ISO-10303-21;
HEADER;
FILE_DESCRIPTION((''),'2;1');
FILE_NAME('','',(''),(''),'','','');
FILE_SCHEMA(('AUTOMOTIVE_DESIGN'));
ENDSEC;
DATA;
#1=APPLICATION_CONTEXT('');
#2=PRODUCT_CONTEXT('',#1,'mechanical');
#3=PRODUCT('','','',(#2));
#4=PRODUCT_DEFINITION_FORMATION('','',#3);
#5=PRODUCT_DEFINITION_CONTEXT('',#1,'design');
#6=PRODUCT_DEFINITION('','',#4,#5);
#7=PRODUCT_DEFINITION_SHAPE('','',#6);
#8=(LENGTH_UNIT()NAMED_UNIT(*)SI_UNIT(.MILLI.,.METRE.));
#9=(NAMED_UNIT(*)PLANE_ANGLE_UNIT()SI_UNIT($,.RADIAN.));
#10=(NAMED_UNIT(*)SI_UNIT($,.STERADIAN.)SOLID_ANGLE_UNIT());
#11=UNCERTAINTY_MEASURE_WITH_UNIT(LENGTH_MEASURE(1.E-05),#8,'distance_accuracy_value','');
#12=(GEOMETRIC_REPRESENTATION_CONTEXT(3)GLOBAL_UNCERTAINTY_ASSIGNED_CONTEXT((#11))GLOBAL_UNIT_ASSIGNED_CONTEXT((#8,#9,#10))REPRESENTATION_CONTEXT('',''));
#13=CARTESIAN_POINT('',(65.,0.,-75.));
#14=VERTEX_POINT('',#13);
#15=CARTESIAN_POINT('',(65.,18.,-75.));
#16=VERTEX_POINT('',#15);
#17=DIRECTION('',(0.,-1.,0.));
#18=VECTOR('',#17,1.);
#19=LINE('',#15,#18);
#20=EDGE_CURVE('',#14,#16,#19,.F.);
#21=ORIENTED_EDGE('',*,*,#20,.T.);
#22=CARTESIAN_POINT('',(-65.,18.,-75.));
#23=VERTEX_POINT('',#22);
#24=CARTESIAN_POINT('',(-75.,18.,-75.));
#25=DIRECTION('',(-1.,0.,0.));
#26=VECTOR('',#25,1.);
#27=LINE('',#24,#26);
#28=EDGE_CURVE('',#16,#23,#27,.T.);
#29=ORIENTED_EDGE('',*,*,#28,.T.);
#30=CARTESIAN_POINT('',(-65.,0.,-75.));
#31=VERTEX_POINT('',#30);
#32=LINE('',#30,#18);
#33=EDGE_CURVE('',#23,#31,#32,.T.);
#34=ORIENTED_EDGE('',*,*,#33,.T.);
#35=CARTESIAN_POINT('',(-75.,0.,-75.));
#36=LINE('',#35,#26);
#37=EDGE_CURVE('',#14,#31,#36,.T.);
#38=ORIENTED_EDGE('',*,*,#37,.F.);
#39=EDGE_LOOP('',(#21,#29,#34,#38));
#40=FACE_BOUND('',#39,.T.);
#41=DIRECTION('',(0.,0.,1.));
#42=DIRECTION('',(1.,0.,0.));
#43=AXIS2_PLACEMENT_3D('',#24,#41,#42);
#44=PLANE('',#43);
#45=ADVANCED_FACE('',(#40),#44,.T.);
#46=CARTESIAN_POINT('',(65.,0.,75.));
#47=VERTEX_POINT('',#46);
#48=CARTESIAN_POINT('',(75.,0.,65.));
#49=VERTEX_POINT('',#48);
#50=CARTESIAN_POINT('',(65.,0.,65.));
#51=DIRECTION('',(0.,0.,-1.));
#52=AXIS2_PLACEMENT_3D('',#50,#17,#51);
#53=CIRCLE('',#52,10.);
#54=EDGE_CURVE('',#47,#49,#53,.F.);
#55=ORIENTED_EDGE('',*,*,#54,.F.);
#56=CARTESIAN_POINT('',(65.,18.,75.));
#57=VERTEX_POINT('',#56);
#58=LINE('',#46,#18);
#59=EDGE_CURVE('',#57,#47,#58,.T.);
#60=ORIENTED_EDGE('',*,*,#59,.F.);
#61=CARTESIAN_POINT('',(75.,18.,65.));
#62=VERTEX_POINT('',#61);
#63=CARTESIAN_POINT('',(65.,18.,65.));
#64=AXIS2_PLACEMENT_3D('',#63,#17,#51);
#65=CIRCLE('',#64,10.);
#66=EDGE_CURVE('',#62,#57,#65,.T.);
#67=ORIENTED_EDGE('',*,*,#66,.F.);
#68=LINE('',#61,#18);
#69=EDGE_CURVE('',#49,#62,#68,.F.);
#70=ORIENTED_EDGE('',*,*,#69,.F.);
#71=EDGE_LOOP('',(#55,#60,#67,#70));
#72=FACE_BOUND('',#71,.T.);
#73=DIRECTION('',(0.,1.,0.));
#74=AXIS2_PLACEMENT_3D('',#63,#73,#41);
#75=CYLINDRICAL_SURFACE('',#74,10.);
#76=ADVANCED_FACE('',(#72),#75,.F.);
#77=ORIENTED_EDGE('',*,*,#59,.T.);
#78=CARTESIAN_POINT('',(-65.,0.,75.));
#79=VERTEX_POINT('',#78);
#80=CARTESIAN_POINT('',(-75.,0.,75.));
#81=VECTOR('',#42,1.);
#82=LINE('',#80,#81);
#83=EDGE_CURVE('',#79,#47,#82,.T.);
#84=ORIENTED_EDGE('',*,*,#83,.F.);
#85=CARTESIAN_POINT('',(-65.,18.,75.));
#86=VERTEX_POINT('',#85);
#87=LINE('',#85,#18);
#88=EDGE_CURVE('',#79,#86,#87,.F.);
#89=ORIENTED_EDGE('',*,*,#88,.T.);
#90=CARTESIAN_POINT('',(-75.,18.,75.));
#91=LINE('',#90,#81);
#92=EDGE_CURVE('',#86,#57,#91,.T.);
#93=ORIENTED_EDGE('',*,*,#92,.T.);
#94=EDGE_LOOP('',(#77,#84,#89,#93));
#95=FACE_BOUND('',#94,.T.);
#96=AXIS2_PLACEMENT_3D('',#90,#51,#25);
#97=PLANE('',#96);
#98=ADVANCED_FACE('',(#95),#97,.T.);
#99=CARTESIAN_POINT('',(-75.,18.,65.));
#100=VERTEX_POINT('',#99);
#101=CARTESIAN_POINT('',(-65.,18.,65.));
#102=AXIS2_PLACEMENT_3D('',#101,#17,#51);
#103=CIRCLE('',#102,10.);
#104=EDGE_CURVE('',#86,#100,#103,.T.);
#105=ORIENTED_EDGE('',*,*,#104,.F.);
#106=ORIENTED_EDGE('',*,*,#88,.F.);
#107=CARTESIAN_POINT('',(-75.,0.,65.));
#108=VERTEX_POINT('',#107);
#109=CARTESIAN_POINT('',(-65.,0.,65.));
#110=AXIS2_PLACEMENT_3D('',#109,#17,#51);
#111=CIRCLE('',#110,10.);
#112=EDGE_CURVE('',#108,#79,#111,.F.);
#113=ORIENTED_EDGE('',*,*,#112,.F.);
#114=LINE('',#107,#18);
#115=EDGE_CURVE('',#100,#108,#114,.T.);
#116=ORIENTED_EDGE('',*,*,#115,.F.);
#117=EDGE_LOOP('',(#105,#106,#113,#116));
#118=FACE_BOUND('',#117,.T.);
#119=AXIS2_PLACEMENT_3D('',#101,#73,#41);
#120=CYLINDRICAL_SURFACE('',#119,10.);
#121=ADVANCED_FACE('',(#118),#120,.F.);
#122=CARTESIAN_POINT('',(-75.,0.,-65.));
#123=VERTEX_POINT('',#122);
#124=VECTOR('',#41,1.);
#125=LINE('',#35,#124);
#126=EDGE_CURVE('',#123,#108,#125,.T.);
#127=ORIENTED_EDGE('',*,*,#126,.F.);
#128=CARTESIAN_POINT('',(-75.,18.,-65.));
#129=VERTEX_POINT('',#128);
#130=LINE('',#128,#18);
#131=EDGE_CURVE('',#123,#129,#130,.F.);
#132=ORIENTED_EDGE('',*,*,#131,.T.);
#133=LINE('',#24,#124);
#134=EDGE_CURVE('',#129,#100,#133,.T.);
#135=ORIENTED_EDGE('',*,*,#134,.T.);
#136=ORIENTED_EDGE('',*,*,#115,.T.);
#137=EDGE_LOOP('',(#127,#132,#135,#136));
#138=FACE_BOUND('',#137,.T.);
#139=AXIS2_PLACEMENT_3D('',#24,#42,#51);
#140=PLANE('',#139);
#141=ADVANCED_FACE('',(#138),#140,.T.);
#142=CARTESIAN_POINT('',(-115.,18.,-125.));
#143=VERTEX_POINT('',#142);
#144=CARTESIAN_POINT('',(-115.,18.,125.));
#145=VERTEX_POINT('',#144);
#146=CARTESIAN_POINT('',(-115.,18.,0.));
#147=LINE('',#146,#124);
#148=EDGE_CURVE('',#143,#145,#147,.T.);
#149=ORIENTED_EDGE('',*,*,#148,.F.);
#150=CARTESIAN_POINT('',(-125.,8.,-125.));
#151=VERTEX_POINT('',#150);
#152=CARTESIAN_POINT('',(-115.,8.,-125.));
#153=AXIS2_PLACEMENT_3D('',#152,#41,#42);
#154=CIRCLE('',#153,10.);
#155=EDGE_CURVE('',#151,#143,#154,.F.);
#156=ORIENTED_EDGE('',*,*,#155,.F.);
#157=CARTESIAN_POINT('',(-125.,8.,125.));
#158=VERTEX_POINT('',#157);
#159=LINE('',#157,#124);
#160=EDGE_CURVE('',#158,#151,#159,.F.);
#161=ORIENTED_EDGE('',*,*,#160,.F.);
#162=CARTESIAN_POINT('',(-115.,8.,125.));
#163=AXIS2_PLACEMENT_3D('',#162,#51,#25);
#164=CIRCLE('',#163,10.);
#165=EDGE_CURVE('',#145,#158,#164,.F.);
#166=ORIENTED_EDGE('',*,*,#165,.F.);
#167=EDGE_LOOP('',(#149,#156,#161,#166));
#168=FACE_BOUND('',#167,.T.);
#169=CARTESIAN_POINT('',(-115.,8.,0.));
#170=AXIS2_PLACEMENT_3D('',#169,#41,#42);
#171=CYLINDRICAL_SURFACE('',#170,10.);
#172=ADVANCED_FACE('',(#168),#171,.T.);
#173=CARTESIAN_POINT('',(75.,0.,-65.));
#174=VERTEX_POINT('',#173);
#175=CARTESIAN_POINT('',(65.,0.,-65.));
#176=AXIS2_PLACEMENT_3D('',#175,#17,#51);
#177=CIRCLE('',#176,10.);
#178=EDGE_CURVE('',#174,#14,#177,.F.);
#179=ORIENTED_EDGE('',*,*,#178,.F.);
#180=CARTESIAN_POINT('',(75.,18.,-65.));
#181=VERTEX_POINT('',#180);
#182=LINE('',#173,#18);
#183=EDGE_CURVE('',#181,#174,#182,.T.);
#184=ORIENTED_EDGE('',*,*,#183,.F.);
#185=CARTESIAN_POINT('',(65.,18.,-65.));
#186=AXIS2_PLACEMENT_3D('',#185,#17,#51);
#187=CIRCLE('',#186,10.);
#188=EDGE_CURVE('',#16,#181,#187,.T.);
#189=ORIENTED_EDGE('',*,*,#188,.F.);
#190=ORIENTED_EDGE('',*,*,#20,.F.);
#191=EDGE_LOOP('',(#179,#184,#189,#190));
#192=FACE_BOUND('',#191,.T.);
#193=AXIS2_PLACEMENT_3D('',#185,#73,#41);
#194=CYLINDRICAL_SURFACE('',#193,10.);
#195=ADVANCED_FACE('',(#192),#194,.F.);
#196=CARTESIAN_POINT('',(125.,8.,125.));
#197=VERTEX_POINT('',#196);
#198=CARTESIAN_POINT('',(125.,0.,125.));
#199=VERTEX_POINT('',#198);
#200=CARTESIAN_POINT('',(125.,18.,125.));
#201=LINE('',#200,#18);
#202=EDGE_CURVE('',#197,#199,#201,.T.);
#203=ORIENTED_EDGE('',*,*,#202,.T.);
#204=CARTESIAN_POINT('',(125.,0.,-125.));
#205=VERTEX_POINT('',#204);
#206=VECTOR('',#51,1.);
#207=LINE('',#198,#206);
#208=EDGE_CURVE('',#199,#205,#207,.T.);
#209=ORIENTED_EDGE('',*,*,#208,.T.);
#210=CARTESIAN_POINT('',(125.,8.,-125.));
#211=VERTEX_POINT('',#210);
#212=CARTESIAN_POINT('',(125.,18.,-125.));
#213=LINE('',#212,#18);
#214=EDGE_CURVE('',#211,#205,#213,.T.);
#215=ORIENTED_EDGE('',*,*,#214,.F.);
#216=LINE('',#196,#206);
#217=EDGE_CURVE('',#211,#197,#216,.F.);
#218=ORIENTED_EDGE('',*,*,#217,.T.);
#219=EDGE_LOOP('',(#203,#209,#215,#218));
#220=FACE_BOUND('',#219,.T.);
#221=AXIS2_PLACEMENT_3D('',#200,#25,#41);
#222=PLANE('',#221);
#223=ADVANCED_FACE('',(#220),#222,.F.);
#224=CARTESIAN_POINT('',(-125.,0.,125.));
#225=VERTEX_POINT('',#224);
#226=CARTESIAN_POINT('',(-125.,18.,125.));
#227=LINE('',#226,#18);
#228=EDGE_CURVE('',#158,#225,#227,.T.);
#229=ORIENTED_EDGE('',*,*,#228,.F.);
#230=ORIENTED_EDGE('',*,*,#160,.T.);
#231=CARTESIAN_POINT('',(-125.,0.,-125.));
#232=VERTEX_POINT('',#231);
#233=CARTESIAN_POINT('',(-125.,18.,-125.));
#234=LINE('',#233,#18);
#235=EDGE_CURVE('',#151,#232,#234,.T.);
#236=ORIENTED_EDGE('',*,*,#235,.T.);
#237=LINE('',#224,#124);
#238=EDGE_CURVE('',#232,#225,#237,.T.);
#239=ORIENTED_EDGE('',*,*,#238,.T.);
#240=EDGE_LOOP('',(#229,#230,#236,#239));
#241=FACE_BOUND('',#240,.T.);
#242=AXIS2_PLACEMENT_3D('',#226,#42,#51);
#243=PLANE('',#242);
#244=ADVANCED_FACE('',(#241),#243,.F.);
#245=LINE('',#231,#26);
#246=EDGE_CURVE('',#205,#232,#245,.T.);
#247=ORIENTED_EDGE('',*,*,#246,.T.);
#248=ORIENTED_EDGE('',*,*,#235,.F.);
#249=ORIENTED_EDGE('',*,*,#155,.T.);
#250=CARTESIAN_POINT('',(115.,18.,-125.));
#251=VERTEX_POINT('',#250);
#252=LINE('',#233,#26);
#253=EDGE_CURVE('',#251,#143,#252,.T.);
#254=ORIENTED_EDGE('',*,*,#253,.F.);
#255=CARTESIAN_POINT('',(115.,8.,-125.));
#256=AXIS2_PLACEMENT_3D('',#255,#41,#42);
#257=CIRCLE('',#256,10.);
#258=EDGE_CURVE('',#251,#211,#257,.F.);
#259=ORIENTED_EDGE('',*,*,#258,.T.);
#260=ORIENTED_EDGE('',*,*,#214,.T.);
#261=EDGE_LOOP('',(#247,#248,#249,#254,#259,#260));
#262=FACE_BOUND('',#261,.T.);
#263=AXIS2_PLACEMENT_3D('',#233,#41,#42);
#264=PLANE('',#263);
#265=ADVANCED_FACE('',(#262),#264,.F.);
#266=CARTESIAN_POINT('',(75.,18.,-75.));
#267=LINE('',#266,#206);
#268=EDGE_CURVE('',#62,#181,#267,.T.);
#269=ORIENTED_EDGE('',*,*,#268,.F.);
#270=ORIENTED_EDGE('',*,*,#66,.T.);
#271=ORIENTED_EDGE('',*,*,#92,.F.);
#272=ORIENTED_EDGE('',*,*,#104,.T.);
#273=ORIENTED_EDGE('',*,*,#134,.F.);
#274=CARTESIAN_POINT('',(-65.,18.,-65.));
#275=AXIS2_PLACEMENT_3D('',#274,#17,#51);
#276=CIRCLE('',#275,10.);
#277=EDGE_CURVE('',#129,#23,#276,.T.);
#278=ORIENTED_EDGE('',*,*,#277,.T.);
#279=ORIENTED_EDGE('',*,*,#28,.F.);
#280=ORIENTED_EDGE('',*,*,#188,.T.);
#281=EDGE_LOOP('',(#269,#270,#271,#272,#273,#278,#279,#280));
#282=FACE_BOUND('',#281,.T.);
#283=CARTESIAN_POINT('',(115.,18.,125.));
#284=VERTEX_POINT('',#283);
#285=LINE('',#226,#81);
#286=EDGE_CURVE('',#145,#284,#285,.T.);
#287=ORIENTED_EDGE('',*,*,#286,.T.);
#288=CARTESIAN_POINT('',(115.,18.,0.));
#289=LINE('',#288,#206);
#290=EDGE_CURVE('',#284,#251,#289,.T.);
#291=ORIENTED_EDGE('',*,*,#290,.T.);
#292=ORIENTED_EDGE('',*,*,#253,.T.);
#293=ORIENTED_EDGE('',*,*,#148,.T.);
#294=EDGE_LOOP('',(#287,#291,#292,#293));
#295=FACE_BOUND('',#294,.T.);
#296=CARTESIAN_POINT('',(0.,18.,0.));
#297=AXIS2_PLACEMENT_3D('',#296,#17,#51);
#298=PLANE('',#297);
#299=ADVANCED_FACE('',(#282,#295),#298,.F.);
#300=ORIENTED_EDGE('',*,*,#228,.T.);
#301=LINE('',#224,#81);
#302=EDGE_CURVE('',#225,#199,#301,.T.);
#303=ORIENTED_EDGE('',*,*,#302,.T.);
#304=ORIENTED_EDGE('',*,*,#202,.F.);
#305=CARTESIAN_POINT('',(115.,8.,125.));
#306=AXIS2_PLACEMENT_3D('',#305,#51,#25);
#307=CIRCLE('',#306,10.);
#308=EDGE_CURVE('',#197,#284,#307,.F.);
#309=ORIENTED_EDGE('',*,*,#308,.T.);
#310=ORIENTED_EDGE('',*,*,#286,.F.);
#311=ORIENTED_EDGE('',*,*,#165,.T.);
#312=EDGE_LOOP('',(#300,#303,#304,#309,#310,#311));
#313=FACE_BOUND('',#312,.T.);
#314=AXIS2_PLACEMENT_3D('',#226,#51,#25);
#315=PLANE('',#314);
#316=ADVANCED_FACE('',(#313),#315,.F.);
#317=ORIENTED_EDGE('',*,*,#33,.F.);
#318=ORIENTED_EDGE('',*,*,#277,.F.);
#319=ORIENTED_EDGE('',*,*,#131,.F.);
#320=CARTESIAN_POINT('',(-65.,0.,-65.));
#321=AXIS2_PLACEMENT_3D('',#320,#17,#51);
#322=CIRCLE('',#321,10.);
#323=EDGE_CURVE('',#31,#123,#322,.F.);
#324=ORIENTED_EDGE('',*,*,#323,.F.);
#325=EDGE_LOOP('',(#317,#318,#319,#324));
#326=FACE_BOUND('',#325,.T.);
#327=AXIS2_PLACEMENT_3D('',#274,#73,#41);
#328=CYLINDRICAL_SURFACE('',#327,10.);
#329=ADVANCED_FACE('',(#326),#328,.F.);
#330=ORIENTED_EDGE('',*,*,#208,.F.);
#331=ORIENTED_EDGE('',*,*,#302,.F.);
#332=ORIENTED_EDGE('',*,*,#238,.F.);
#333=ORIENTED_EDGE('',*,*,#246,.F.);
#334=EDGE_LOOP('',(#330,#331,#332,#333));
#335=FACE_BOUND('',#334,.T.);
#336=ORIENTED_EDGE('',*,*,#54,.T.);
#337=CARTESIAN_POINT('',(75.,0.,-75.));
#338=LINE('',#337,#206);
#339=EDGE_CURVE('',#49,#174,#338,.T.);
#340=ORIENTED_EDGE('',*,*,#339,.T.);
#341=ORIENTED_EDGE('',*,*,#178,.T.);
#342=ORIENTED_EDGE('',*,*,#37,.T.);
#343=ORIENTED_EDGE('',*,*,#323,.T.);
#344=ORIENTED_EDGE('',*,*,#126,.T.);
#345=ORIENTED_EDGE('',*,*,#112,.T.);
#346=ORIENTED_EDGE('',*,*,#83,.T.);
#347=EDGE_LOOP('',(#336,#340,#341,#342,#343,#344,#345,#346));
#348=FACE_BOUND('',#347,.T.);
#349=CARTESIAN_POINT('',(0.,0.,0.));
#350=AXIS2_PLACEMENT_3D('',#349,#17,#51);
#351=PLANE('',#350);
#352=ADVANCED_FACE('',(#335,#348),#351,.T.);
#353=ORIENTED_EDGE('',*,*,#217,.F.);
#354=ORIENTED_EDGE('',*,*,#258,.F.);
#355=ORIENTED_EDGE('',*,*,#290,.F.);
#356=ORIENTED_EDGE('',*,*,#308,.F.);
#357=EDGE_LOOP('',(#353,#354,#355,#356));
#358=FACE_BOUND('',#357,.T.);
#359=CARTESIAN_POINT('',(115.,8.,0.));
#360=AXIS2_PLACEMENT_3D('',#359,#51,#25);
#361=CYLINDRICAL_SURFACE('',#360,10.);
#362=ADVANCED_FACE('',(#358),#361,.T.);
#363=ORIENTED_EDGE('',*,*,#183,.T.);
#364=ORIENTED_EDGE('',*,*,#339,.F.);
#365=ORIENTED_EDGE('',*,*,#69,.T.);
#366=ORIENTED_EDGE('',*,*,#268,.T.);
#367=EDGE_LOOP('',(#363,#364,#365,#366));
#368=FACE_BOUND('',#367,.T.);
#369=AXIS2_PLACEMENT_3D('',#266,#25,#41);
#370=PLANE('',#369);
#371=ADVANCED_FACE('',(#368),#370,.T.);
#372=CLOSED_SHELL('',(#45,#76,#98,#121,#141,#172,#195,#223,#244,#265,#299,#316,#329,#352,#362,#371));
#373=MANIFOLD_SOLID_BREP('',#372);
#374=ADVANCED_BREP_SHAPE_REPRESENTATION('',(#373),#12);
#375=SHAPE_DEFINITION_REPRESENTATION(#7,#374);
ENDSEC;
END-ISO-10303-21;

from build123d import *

# Parameters (mm, degrees)
SKETCH_1_W      = 250
SKETCH_1_H      = 250
SKETCH_1_W_2    = 150
SKETCH_1_H_2    = 150
EXTRUDE_1_DEPTH = 18
FILLET_1_R      = 10
FILLET_2_R      = 10


with BuildPart() as part:
    # 草图1 → 凸台-拉伸1 (new body)
    with BuildSketch(Plane(origin=(0, 0, 0), x_dir=(1, 0, 0), z_dir=(0, 1, 0))):
        Rectangle(SKETCH_1_W, SKETCH_1_H)
        Rectangle(SKETCH_1_W_2, SKETCH_1_H_2, mode=Mode.SUBTRACT)
    extrude(amount=EXTRUDE_1_DEPTH)

    # 圆角1
    fillet_1_edges = [part.edges().sort_by_distance(p)[0] for p in [
        (125, 18, 0),
        (-125, 18, 0),
    ]]
    fillet(fillet_1_edges, radius=FILLET_1_R)

    # 圆角2
    fillet_2_edges = [part.edges().sort_by_distance(p)[0] for p in [
        (-75, 9, -75),
        (-75, 9, 75),
        (75, 9, 75),
        (75, 9, -75),
    ]]
    fillet(fillet_2_edges, radius=FILLET_2_R)


solid = part.part
